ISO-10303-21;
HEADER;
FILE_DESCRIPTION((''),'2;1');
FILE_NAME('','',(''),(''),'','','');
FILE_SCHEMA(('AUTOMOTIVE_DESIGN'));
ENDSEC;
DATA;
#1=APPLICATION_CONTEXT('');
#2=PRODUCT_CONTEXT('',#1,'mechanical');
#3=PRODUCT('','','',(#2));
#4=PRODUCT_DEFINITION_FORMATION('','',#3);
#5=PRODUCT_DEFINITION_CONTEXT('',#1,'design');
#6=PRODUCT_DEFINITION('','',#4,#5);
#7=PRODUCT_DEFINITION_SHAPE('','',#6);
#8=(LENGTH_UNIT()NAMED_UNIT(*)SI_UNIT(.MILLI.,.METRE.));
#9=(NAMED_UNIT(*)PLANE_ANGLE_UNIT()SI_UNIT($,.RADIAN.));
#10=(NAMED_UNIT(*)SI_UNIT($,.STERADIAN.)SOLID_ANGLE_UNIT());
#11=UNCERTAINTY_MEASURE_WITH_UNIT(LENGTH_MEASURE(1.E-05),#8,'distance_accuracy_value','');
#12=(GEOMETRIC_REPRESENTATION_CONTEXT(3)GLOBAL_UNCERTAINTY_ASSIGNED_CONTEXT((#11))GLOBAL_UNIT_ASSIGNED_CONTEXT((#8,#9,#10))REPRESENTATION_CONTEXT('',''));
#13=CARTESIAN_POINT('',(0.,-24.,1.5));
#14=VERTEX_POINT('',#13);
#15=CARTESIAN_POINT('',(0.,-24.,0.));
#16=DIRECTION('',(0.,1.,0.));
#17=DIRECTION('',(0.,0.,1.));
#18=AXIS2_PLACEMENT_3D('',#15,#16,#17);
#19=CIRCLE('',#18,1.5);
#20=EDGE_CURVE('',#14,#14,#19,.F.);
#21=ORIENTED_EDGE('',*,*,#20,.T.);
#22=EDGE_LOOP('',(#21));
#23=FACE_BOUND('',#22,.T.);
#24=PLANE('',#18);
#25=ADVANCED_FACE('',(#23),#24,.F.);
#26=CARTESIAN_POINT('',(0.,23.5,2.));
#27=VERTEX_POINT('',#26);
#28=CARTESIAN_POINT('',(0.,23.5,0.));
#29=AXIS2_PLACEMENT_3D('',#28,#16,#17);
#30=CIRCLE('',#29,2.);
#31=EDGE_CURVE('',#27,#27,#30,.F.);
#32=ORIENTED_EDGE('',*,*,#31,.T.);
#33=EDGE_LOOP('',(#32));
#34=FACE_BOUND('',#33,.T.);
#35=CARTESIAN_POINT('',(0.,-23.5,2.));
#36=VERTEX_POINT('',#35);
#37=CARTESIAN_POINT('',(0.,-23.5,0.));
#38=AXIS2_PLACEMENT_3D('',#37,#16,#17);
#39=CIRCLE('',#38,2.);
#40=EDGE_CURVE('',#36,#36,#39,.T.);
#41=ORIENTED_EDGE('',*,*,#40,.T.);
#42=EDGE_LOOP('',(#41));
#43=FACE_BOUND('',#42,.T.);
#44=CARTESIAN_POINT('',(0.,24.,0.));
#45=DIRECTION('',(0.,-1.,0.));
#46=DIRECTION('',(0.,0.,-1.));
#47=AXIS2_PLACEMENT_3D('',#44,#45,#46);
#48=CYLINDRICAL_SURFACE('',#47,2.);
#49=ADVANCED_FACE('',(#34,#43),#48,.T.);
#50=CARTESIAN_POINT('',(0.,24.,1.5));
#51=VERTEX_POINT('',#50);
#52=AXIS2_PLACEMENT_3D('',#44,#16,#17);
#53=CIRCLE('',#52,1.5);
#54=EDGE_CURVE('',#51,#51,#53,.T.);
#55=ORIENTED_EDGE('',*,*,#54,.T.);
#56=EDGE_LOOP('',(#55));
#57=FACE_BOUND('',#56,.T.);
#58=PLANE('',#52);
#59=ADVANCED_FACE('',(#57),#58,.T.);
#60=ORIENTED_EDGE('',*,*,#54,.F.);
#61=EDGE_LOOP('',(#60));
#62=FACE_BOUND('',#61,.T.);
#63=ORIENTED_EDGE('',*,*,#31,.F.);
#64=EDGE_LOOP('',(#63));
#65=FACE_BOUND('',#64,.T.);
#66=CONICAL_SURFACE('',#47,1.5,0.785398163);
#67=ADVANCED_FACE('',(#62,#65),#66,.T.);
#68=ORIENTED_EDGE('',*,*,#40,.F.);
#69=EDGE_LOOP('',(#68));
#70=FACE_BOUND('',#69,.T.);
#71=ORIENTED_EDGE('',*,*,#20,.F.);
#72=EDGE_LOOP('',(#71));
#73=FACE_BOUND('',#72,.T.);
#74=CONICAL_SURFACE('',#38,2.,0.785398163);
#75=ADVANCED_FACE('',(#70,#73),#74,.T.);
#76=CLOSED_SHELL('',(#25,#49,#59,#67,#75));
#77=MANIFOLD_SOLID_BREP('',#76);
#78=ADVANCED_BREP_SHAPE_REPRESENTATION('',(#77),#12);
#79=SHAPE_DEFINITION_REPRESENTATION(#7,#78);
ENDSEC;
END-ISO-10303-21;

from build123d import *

# Parameters (mm, degrees)
SKETCH1_R      = 2
EXTRUDE1_DEPTH = 24
CHAMFER1_SIZE  = 0.5


with BuildPart() as part:
    # Sketch1 → Extrude1 (new, symmetric)
    with BuildSketch(Plane(origin=(0, 0, 0), x_dir=(1, 0, 0), z_dir=(0, 1, 0))):
        with Locations(Location((0, 0, 0), (0, 0, 270))):
            Circle(SKETCH1_R)
    extrude(amount=EXTRUDE1_DEPTH, both=True)

    # Chamfer1
    chamfer1_edges = [part.edges().sort_by_distance(p)[0] for p in [
        (0, -24, -2),
        (0, 24, -2),
    ]]
    chamfer(chamfer1_edges, length=CHAMFER1_SIZE)


solid = part.part
